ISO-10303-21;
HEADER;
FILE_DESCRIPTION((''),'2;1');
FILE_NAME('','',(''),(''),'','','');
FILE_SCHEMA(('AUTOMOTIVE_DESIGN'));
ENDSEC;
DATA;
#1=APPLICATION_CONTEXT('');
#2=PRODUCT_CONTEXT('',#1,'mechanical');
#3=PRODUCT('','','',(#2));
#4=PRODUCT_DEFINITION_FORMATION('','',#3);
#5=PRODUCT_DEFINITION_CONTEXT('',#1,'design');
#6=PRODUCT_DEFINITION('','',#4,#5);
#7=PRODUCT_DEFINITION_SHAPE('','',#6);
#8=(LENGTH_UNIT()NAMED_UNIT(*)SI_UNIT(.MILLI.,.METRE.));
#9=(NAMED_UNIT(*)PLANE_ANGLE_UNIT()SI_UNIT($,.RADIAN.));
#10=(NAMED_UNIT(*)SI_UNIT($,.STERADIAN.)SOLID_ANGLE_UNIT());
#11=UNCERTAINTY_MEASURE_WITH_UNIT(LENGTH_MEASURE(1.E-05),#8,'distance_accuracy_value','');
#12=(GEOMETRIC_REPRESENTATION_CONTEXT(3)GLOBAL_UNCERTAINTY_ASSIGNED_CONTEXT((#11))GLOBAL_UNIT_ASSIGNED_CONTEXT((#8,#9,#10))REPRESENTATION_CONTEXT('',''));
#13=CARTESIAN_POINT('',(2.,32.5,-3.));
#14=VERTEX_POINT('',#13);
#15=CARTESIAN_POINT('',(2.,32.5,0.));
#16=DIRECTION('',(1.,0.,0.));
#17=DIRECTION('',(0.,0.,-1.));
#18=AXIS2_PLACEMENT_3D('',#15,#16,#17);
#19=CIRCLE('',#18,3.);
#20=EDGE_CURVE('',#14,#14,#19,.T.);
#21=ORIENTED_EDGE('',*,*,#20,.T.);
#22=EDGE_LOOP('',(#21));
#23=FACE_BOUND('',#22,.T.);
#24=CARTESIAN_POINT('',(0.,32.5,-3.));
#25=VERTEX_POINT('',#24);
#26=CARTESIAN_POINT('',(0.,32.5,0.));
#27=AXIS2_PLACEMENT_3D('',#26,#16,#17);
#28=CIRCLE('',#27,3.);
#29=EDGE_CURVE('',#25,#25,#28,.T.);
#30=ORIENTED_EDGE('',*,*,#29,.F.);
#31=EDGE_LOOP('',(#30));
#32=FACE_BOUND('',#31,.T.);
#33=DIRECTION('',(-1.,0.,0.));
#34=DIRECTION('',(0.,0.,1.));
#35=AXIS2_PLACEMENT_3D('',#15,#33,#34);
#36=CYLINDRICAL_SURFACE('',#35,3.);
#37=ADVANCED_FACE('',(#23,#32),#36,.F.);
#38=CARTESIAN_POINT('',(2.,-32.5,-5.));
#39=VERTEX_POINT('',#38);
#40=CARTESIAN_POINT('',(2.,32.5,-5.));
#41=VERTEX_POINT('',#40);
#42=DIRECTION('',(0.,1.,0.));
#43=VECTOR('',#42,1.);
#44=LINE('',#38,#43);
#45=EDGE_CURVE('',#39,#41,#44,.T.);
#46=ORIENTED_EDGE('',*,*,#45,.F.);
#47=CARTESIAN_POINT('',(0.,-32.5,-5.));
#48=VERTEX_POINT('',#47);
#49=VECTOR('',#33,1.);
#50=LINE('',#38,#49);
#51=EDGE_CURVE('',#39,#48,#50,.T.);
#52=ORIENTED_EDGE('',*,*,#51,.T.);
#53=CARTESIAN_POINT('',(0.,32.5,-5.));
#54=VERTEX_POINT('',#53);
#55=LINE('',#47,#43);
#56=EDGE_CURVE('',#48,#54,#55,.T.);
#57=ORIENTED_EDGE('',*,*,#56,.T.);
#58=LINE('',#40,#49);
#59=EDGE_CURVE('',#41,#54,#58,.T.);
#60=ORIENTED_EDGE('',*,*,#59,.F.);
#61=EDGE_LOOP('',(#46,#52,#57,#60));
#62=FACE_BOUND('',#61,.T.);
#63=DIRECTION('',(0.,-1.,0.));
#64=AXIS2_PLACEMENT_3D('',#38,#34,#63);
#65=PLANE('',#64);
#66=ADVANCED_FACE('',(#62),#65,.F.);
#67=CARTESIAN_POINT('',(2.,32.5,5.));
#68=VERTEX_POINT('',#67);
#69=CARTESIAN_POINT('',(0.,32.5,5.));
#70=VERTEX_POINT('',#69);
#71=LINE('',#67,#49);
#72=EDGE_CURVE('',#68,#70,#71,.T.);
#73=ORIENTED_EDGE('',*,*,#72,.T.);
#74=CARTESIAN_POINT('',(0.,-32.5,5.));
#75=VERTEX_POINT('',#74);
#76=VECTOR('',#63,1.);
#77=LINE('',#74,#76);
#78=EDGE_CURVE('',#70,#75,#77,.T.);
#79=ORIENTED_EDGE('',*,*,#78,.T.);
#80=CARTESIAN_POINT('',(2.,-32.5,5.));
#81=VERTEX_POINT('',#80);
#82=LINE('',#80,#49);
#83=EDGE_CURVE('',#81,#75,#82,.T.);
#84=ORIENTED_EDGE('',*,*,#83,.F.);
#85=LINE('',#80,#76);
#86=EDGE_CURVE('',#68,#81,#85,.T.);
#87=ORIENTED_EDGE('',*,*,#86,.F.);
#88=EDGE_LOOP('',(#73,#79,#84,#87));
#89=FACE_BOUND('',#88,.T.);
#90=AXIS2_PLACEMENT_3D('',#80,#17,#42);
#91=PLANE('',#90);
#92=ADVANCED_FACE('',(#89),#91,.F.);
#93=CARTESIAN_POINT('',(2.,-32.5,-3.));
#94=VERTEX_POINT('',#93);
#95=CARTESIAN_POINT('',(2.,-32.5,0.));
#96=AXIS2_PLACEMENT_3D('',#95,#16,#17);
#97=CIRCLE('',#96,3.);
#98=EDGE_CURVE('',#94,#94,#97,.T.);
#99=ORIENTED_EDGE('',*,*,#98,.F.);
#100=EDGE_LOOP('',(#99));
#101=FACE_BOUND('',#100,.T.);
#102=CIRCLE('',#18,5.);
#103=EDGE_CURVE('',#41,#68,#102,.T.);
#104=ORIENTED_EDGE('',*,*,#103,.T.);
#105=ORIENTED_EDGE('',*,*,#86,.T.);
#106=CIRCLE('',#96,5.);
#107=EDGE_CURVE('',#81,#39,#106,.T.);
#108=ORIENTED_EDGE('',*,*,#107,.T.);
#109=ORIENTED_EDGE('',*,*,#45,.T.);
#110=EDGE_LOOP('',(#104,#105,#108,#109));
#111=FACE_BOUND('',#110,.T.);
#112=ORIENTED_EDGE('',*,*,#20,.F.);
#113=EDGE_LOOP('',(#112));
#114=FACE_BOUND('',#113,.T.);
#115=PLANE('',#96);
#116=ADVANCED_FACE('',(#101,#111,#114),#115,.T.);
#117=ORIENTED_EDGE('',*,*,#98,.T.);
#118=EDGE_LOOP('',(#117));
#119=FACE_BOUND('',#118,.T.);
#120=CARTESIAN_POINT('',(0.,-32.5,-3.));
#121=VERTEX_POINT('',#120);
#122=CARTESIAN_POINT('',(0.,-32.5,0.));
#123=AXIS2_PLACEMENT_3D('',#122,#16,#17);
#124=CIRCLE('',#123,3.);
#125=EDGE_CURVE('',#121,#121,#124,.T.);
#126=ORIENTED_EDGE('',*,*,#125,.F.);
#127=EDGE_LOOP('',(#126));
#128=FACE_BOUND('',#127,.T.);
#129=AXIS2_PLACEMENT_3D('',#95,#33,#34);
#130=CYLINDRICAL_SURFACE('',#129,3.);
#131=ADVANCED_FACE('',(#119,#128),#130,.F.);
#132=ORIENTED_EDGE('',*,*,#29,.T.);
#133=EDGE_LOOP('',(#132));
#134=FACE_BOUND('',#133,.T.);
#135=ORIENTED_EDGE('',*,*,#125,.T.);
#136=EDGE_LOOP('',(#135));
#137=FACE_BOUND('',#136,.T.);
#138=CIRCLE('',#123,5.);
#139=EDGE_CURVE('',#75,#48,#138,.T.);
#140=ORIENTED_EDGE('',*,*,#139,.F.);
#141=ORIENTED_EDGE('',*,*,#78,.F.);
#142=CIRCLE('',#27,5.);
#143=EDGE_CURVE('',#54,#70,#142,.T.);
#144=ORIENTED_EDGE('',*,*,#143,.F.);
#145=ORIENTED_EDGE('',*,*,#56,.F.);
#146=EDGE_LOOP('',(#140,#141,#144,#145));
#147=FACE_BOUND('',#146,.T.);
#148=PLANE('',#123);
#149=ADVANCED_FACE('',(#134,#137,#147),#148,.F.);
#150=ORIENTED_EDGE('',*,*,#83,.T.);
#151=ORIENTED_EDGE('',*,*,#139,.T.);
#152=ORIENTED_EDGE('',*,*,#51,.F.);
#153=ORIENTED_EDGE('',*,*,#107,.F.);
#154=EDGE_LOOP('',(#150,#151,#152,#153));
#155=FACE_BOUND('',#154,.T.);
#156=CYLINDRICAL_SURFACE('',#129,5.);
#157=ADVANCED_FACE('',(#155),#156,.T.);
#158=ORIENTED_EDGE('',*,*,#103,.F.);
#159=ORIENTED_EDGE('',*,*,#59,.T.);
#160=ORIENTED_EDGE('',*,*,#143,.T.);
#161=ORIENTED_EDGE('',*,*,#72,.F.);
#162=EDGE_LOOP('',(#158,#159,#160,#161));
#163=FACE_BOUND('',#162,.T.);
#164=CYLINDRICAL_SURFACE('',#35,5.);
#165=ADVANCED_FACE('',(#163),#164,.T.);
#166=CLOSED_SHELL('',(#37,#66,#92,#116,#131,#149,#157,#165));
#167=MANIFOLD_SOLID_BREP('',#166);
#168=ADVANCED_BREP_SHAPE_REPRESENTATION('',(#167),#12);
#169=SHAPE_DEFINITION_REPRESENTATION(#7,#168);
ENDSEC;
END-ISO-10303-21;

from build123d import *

# Parameters (mm, degrees)
SKETCH_1_R      = 3
EXTRUDE_1_DEPTH = 2


with BuildPart() as part:
    # 草图1 → 凸台-拉伸1 (new body)
    with BuildSketch(Plane(origin=(0, 0, 0), x_dir=(0, 0, -1), z_dir=(1, 0, 0))):
        with BuildLine():
            Line((-5, -32.5), (-5, 32.5))
            ThreePointArc((-5, 32.5), (0, 37.5), (5, 32.5))
            Line((5, 32.5), (5, -32.5))
            ThreePointArc((5, -32.5), (0, -37.5), (-5, -32.5))
        make_face()
        with Locations((0, 32.5)):
            Circle(SKETCH_1_R, mode=Mode.SUBTRACT)
        with Locations((0, -32.5)):
            Circle(SKETCH_1_R, mode=Mode.SUBTRACT)
    extrude(amount=EXTRUDE_1_DEPTH)


solid = part.part
